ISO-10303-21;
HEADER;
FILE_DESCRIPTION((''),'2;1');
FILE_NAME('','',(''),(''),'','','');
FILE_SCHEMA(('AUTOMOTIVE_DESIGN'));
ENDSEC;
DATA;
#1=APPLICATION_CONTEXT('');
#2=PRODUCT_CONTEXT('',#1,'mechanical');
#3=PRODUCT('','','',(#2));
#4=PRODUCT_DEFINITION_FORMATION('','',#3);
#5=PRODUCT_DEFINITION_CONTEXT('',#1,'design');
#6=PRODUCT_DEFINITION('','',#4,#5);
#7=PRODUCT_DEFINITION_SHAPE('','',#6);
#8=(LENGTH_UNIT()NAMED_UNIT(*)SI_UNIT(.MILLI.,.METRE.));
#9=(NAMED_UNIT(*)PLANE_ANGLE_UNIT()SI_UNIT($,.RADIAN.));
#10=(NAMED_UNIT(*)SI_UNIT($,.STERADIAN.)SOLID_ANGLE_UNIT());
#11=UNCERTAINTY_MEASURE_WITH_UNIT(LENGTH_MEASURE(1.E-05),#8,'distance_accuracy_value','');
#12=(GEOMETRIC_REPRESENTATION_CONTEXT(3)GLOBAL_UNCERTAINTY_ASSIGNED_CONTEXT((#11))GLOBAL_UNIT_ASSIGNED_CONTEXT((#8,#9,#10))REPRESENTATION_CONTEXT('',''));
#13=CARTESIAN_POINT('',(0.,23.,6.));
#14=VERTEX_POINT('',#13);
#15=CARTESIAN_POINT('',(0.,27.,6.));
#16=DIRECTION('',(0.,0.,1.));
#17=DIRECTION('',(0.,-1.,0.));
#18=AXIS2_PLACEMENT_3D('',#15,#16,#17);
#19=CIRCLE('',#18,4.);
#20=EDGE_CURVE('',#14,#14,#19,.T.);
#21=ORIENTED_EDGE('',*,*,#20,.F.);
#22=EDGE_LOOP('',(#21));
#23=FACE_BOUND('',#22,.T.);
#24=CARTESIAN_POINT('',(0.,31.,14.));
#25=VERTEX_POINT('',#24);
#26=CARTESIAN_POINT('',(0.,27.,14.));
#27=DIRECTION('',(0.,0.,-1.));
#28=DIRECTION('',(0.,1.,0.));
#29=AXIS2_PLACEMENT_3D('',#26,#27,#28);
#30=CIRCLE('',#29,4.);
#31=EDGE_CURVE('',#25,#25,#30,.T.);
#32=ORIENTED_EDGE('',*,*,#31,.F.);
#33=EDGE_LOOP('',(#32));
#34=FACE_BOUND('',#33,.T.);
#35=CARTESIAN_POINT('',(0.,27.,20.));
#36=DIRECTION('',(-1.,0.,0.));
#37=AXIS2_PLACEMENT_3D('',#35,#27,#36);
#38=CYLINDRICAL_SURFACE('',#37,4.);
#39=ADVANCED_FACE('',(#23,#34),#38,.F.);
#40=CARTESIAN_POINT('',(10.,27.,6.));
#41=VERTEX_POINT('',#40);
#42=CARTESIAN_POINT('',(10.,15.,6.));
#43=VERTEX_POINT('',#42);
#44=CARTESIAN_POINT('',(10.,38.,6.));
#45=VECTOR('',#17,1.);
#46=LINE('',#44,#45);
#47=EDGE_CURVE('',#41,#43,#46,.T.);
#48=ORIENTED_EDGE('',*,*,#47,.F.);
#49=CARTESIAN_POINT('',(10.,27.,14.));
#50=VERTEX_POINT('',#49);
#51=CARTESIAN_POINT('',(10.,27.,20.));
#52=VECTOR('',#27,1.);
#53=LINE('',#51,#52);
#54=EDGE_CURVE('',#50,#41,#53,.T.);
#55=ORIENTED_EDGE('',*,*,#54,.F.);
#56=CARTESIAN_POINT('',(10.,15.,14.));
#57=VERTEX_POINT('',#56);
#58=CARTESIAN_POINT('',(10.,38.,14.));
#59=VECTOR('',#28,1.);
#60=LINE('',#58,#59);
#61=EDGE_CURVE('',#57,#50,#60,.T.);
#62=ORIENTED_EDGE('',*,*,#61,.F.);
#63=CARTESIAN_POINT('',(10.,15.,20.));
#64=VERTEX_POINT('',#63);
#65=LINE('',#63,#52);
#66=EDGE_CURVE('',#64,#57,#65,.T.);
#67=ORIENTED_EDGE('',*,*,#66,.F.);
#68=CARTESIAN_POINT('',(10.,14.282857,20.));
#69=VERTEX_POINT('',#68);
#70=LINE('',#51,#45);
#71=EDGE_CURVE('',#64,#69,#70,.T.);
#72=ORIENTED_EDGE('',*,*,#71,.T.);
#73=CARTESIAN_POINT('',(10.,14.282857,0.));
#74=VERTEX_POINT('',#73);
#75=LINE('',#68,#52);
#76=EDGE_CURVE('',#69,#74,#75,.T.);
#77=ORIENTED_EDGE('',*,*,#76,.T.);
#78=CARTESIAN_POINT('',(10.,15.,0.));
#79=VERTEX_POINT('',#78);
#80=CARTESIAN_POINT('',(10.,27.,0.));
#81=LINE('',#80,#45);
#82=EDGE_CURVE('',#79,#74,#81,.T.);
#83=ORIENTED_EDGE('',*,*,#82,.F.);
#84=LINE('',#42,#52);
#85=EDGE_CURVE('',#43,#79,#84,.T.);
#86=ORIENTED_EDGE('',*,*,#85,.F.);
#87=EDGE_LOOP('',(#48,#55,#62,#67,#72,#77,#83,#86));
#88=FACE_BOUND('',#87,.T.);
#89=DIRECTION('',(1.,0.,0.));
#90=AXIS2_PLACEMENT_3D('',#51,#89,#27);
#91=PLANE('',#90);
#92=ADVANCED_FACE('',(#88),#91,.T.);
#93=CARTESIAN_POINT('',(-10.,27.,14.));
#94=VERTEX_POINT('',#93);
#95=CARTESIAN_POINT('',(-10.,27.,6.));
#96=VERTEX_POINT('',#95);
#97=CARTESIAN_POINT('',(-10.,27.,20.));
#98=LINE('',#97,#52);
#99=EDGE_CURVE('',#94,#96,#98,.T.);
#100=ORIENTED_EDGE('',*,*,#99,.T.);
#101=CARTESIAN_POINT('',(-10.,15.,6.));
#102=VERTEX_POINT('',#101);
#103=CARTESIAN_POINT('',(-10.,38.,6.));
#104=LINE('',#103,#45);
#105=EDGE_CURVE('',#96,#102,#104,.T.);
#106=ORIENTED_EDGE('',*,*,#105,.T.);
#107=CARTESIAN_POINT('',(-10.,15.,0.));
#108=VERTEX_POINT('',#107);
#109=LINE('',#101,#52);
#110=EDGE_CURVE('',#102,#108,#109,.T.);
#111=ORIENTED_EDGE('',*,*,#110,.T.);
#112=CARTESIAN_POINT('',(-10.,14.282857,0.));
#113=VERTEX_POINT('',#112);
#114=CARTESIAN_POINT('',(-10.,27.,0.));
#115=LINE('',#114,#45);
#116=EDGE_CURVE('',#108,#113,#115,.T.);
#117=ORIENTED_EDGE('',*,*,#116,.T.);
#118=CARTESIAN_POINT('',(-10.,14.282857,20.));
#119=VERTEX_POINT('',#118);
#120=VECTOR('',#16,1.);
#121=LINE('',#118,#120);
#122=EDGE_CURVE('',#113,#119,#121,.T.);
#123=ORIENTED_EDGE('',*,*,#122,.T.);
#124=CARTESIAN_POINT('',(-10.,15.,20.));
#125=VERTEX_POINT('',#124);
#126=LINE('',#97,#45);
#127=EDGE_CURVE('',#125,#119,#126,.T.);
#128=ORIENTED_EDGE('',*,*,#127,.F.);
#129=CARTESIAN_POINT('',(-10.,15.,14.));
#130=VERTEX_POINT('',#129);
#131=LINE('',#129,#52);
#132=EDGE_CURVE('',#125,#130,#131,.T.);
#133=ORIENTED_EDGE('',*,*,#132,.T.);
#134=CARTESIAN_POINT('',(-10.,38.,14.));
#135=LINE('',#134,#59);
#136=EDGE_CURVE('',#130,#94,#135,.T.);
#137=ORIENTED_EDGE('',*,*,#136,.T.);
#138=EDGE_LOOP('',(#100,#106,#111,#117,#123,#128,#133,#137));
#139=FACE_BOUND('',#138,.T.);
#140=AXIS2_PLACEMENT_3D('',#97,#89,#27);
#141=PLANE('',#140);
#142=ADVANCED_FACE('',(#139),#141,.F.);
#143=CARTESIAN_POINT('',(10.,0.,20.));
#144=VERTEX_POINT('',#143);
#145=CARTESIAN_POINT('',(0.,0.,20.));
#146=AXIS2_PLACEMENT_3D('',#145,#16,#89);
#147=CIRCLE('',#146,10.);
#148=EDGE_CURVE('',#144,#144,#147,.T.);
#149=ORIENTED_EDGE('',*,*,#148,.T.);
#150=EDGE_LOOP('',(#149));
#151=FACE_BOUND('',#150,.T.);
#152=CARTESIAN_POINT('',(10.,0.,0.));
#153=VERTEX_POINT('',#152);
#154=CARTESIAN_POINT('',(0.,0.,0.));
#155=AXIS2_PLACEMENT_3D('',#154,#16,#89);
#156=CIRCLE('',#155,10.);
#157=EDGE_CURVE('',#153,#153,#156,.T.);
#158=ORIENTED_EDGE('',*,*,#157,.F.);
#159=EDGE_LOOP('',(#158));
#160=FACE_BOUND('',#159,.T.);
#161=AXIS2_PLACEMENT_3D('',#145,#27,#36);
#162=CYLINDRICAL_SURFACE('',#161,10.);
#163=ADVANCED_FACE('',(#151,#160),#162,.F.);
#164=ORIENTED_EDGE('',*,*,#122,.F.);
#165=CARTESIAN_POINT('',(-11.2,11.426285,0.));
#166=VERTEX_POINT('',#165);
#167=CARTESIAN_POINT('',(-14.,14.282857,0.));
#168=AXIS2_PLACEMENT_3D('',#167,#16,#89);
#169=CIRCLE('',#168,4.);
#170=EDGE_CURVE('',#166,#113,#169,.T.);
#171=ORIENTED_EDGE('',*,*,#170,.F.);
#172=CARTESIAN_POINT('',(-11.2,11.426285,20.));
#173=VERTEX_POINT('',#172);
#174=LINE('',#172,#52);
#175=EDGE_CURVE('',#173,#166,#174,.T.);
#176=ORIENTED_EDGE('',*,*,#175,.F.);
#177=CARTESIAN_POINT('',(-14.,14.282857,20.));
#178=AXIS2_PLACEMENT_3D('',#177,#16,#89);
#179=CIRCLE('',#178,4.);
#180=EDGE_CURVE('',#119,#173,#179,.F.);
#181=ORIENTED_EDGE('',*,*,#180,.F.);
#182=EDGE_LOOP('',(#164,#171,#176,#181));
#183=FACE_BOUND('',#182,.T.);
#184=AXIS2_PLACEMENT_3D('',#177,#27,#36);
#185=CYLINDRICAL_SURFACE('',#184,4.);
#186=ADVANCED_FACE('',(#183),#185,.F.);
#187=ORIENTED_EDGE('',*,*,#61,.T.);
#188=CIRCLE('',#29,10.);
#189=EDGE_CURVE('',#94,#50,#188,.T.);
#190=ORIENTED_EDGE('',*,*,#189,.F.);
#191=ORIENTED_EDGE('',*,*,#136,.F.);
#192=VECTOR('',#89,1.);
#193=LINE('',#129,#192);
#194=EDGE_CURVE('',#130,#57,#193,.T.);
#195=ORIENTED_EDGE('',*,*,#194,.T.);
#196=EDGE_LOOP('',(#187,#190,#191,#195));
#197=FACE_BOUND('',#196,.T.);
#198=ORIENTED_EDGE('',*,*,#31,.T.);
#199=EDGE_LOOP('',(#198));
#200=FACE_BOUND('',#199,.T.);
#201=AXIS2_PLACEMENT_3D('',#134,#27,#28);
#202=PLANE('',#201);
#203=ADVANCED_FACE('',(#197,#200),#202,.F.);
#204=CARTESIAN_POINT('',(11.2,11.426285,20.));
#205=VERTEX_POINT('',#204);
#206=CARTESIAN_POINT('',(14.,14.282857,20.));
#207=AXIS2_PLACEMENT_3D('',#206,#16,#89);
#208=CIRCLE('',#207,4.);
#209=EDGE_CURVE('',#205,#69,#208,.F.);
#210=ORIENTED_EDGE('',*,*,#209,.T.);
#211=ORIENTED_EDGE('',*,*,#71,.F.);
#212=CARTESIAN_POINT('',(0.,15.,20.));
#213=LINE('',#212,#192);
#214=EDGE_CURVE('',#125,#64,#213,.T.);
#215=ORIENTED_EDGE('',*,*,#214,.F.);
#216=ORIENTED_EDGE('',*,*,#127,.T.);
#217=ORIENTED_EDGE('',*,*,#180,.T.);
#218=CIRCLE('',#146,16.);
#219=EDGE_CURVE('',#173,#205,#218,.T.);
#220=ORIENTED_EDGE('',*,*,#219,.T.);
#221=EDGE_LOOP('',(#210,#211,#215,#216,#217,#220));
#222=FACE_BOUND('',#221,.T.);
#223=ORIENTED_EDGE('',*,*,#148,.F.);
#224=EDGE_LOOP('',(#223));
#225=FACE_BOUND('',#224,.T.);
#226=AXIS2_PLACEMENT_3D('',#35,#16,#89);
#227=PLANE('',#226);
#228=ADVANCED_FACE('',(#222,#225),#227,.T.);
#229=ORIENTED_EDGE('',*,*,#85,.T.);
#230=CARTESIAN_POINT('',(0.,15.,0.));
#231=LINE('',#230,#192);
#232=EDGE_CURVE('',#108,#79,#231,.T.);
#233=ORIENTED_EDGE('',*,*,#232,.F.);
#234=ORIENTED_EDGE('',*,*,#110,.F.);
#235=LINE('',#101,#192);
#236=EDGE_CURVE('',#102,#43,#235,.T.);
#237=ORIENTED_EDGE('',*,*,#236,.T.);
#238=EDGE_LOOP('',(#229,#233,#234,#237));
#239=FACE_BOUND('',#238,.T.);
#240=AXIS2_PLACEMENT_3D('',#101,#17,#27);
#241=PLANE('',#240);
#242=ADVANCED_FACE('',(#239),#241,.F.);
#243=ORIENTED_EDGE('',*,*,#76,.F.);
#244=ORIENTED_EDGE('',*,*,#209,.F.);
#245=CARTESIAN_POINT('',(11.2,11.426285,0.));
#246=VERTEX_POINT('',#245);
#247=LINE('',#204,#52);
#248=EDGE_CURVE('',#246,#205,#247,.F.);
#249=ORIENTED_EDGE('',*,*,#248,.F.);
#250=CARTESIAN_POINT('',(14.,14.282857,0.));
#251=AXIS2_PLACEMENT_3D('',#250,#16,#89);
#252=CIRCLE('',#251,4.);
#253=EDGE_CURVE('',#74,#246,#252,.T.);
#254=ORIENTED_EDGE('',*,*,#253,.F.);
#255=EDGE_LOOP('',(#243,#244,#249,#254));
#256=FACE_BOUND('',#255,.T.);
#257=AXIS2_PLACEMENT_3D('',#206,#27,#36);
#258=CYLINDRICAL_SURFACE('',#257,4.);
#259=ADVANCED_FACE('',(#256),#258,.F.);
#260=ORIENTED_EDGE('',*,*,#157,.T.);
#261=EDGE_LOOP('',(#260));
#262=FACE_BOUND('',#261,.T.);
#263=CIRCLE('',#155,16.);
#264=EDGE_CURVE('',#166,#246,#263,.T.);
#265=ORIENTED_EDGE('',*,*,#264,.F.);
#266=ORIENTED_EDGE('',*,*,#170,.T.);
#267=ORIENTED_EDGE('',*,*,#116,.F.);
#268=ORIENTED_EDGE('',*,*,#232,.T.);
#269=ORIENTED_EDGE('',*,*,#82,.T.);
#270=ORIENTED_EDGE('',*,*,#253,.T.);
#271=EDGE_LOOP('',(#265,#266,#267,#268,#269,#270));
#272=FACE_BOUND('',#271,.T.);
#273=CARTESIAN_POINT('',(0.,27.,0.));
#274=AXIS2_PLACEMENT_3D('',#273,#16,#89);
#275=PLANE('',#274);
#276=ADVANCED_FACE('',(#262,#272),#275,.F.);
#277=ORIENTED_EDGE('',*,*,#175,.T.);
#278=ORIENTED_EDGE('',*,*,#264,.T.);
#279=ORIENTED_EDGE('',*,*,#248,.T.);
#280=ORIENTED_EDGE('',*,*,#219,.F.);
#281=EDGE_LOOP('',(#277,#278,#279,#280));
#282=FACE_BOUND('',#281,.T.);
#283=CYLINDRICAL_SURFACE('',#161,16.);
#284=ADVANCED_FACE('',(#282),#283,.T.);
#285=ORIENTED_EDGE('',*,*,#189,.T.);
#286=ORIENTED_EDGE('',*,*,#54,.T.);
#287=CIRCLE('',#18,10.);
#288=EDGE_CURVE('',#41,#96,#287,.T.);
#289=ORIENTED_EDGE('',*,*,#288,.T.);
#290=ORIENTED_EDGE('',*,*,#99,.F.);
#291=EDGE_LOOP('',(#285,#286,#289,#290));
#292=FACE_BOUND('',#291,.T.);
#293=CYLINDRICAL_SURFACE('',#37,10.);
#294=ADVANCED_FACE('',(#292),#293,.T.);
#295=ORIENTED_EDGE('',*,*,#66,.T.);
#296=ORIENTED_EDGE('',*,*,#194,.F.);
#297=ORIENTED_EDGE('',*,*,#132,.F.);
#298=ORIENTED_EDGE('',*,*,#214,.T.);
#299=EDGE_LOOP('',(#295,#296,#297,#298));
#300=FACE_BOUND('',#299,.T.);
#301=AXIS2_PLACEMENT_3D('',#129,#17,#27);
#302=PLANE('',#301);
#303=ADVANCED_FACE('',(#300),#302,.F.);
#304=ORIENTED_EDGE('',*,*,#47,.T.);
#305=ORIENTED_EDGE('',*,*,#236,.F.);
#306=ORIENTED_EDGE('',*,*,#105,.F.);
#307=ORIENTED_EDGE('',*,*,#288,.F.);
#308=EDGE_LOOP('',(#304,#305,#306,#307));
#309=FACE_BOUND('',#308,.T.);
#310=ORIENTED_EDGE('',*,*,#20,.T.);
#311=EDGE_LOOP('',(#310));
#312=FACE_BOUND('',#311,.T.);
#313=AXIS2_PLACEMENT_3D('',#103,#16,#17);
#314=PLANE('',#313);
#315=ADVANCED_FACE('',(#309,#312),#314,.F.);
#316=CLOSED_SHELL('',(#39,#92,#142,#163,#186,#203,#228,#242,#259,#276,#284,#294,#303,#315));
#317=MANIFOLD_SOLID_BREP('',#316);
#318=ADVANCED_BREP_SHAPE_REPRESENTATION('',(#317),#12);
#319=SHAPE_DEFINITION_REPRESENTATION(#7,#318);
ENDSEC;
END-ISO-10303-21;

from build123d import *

# Parameters (mm, degrees)
ESQUISSE1_R             = 10
ESQUISSE1_R_2           = 4
BASE_EXTRUSION_DEPTH    = 20
CONG_1_R                = 4
ESQUISSE4_W             = 14
ESQUISSE4_H             = 23
ENL_V_MAT_EXTRU_4_DEPTH = 10


with BuildPart() as part:
    # Esquisse1 → Base-Extrusion (new body)
    with BuildSketch(Plane.XY):
        with BuildLine():
            Line((10, 27), (10, 12.489995997))
            ThreePointArc((10, 12.489995997), (0, -16), (-10, 12.489995997))
            Line((-10, 12.489995997), (-10, 27))
            ThreePointArc((-10, 27), (0, 37), (10, 27))
        make_face()
        Circle(ESQUISSE1_R, mode=Mode.SUBTRACT)
        with Locations((0, 27)):
            Circle(ESQUISSE1_R_2, mode=Mode.SUBTRACT)
    extrude(amount=BASE_EXTRUSION_DEPTH)

    # Congé1
    cong_1_edges = [part.edges().sort_by_distance(p)[0] for p in [
        (10, 12.489995997, 10),
        (-10, 12.489995997, 10),
    ]]
    fillet(cong_1_edges, radius=CONG_1_R)

    # Esquisse4 → Enlèv. mat.-Extru.4 (cut, symmetric)
    with BuildSketch(Plane(origin=(0, 0, 0), x_dir=(0, 0, -1), z_dir=(1, 0, 0))):
        with Locations((-21, 26.5)):
            Rectangle(ESQUISSE4_W, ESQUISSE4_H)
        with Locations((1, 26.5)):
            Rectangle(ESQUISSE4_W, ESQUISSE4_H)
    extrude(amount=ENL_V_MAT_EXTRU_4_DEPTH, both=True, mode=Mode.SUBTRACT)


solid = part.part
